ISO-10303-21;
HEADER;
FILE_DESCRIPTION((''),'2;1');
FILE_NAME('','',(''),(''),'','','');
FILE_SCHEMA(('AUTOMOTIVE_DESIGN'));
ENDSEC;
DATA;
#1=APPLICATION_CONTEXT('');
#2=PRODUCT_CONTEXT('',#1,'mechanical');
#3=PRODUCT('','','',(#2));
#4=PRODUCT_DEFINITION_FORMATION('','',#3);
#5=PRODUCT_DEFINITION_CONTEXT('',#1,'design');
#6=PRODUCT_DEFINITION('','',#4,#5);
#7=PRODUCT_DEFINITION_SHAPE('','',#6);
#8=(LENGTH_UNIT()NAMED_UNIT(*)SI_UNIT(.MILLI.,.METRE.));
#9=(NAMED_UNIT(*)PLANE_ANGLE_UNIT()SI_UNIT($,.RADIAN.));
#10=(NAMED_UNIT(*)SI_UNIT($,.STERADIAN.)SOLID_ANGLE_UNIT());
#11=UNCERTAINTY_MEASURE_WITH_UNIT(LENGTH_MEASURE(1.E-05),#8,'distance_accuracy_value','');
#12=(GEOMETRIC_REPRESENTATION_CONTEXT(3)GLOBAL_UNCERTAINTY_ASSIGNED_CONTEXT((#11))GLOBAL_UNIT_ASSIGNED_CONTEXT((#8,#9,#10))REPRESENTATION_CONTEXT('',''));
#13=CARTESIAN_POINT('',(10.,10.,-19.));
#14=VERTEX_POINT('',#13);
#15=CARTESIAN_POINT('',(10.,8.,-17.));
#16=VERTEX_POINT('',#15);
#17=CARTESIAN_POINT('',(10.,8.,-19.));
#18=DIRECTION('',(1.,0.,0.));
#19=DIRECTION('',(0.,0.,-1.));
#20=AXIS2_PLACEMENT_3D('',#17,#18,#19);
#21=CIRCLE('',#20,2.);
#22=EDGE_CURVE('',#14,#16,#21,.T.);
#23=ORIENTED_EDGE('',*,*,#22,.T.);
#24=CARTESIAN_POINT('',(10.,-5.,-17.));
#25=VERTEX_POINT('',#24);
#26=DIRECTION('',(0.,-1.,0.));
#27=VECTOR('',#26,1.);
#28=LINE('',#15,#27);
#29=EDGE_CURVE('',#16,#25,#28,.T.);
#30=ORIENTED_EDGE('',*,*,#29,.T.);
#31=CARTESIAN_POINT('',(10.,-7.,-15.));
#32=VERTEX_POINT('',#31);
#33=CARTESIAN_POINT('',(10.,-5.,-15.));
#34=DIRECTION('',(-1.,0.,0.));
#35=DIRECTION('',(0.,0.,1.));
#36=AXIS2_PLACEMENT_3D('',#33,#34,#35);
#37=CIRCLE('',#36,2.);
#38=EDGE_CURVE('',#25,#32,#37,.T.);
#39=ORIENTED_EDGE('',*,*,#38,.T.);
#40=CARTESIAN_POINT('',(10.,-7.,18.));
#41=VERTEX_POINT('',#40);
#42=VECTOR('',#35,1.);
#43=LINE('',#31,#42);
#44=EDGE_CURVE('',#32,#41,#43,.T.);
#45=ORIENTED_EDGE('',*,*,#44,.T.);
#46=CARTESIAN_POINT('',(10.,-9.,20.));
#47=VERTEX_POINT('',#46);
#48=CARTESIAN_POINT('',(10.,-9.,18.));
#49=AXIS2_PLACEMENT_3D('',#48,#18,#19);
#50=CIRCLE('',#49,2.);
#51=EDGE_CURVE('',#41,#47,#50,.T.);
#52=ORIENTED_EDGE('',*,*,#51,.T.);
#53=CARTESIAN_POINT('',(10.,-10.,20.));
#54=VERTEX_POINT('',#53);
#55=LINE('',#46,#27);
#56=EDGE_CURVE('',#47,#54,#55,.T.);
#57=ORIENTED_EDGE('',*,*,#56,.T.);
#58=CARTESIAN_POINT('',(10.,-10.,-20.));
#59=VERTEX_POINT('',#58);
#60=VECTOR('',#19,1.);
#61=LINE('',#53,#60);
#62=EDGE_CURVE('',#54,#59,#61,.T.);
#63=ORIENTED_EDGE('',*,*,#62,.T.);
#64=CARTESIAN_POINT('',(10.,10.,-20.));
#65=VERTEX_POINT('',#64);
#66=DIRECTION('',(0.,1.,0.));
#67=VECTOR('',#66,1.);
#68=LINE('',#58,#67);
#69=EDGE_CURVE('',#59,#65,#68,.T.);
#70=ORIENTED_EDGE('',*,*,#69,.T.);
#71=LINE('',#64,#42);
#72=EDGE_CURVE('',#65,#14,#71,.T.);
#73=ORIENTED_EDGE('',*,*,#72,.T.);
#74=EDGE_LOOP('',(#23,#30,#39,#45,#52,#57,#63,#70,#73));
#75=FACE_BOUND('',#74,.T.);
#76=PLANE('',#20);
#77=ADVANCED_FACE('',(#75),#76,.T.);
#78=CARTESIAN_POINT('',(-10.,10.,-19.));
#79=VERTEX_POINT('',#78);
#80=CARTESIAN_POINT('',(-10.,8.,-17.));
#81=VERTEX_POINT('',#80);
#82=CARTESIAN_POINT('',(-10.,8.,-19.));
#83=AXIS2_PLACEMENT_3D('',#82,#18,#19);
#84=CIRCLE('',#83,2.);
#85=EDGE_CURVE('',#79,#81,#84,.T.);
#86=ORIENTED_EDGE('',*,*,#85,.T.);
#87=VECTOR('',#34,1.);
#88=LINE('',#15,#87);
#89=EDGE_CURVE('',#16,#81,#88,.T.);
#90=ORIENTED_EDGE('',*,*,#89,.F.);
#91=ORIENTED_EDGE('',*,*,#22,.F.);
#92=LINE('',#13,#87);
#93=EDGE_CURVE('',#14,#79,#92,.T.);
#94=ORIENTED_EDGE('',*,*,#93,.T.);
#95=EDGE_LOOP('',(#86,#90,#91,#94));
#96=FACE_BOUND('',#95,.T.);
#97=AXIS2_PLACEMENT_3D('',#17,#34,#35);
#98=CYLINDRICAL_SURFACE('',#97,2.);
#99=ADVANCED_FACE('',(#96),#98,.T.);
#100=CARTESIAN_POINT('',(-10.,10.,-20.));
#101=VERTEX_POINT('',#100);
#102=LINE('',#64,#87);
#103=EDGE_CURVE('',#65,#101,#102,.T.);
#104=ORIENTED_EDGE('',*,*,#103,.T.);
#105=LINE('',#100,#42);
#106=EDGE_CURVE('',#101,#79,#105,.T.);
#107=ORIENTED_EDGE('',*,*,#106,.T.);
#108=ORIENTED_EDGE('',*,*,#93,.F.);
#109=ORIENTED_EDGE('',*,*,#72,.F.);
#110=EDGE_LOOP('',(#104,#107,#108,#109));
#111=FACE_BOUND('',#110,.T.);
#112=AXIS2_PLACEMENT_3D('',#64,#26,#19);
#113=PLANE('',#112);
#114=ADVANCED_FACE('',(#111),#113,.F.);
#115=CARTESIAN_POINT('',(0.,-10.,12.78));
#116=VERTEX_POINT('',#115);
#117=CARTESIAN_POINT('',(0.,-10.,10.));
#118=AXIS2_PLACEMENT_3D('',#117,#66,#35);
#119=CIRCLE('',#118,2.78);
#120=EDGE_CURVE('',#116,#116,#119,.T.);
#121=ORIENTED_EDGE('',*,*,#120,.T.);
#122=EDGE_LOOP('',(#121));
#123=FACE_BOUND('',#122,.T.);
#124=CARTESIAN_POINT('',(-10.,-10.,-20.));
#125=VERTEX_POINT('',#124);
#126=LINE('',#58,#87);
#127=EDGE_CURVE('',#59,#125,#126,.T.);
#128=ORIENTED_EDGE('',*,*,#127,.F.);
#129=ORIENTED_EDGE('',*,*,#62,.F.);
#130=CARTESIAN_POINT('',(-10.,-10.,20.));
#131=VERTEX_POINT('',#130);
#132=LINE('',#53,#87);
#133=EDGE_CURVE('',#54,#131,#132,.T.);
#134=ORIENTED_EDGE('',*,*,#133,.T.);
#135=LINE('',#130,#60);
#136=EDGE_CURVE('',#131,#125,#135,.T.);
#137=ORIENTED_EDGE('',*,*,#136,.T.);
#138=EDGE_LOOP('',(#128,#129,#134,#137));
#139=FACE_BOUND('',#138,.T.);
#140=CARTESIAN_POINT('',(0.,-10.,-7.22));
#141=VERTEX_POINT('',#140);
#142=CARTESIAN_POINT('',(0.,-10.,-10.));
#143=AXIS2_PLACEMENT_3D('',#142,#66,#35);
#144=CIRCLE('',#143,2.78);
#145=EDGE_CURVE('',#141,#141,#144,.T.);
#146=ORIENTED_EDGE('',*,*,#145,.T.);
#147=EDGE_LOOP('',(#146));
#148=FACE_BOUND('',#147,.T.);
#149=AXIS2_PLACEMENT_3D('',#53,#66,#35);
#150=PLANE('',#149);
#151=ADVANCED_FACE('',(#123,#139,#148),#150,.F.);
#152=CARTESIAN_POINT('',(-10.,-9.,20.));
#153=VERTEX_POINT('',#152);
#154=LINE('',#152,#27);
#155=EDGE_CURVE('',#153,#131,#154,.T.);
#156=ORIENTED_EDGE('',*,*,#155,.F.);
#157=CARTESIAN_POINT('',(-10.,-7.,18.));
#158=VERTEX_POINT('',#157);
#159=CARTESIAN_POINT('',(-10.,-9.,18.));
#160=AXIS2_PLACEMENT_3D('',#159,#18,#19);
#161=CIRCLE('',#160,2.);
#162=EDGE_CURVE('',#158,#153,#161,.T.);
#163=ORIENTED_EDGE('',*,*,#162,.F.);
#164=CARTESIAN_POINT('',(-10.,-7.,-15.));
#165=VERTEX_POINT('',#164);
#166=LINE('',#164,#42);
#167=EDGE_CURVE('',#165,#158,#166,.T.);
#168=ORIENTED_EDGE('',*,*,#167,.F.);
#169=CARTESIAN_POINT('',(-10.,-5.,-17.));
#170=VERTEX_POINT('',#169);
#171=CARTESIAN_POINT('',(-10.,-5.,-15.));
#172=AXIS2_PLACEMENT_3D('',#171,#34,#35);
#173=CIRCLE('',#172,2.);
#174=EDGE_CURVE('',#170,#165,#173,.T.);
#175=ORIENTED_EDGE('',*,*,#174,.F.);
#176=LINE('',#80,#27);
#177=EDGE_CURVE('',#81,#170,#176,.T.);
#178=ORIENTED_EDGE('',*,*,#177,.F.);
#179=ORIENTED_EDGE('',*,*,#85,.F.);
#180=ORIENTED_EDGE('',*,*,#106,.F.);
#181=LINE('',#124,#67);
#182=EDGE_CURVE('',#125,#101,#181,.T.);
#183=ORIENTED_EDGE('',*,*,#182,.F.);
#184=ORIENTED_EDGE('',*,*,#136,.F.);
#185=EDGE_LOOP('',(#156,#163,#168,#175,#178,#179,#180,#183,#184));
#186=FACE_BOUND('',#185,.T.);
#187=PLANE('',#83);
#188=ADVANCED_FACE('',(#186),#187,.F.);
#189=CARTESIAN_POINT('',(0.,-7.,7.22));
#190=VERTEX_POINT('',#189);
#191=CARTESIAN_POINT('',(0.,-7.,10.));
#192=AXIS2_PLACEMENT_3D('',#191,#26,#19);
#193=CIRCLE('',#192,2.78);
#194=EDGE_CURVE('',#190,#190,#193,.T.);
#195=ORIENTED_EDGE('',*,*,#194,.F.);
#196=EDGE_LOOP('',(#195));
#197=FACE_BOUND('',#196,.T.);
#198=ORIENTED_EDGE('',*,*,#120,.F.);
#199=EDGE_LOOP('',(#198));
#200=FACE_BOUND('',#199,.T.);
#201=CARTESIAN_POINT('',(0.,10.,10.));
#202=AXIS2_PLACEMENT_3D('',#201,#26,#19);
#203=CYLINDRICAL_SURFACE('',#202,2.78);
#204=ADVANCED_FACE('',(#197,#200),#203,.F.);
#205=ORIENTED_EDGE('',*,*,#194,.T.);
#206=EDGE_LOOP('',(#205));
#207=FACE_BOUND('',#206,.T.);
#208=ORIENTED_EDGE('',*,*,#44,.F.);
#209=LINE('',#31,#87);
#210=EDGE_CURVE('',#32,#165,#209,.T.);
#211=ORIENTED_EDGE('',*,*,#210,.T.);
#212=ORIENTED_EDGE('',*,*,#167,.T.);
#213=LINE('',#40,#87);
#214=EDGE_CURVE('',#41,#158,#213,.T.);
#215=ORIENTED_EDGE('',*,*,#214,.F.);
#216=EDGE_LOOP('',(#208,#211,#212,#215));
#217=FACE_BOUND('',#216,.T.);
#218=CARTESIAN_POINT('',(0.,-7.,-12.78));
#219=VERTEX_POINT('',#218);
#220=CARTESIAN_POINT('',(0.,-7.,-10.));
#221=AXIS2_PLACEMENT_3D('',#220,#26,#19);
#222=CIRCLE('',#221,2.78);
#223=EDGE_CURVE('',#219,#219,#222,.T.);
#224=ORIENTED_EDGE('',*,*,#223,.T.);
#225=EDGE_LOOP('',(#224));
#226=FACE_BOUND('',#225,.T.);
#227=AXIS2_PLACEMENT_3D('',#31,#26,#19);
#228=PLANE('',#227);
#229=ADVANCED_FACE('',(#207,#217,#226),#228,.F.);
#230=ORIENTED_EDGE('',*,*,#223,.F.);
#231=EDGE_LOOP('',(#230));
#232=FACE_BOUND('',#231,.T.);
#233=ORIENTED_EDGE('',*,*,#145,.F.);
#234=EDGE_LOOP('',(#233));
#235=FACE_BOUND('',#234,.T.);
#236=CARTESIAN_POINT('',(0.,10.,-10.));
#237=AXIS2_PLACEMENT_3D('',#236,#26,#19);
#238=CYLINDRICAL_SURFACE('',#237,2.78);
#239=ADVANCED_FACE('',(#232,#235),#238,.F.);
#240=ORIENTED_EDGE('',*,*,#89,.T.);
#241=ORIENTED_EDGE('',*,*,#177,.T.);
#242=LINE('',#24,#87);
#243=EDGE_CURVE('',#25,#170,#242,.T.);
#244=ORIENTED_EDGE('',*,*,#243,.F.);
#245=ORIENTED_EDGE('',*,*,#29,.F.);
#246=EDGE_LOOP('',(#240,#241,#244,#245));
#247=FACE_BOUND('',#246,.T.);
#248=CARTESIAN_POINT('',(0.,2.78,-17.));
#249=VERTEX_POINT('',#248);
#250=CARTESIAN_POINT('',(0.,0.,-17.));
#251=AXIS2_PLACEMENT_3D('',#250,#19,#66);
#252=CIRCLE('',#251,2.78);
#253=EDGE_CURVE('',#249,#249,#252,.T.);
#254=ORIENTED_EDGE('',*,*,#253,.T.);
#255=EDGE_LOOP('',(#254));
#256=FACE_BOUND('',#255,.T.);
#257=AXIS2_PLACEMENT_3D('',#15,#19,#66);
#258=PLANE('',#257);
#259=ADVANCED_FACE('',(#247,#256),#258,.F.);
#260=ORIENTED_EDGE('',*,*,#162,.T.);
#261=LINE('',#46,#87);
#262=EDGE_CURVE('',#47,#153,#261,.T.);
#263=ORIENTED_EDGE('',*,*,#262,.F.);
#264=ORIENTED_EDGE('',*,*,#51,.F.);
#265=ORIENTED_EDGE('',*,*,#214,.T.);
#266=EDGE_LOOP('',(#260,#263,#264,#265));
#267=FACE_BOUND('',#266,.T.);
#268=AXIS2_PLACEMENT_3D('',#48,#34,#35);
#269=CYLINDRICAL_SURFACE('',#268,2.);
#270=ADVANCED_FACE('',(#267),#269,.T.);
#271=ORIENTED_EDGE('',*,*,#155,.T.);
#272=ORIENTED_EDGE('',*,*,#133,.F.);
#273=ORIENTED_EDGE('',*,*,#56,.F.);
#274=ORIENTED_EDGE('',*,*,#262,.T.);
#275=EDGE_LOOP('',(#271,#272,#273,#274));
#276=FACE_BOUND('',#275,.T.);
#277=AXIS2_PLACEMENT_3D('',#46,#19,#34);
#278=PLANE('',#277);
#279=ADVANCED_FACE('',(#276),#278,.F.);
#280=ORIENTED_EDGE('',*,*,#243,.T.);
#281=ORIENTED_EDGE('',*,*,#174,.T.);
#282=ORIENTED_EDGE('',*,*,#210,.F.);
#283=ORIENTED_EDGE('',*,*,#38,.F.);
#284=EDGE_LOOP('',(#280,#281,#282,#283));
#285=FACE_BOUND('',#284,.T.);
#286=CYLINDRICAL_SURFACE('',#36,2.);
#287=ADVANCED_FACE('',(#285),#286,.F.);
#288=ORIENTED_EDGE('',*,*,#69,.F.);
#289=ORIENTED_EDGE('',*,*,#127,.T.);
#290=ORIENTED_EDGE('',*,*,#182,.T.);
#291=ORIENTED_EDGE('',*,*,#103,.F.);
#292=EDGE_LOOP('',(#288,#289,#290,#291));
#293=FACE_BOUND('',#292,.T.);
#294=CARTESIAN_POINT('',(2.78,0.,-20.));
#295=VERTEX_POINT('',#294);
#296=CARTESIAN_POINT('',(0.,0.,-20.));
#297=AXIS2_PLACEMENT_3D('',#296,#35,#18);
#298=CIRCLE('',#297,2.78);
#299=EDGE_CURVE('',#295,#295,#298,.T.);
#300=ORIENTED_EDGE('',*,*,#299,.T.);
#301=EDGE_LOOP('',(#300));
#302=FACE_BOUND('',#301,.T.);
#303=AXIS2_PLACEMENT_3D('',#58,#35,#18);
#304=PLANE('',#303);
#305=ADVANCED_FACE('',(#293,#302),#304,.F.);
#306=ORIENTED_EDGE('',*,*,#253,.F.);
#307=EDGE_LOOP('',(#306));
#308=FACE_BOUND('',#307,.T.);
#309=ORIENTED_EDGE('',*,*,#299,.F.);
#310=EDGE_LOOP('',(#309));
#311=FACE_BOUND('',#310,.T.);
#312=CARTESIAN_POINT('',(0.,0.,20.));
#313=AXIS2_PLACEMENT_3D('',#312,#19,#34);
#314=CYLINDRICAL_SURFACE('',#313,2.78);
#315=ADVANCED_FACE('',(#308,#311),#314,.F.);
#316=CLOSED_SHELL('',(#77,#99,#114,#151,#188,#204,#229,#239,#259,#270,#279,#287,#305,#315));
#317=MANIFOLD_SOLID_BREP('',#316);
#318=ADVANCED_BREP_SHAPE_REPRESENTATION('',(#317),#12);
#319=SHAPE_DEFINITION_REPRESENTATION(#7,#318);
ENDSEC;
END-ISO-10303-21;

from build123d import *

# Parameters (mm, degrees)
BOSS_EXTRUDE1_DEPTH     = 10
CUT_EXTRUDE1_DEPTH      = 43.426406871
CUT_EXTRUDE1_DEPTH_BACK = 43.426406871
SKETCH2_R               = 2.78
CUT_EXTRUDE2_DEPTH      = 31
CUT_EXTRUDE2_DEPTH_BACK = 31
SKETCH3_R               = 2.78


with BuildPart() as part:
    # Sketch1 → Boss-Extrude1 (new, symmetric)
    with BuildSketch(Plane(origin=(0, 0, 0), x_dir=(0, 0, -1), z_dir=(1, 0, 0))):
        with BuildLine():
            Line((-20, -10), (20, -10))
            Line((20, -10), (20, 10))
            Line((20, 10), (19, 10))
            ThreePointArc((19, 10), (17.585786438, 9.414213562), (17, 8))
            Line((17, 8), (17, -5))
            ThreePointArc((17, -5), (16.414213562, -6.414213562), (15, -7))
            Line((15, -7), (-18, -7))
            ThreePointArc((-18, -7), (-19.414213562, -7.585786438), (-20, -9))
            Line((-20, -9), (-20, -10))
        make_face()
    extrude(amount=BOSS_EXTRUDE1_DEPTH, both=True)

    # Sketch2 → Cut-Extrude1 (cut, two sides: drawn at the far end of the back side and taken through both)
    with BuildSketch(Plane(origin=(0, 0, -20), x_dir=(-1, 0, 0), z_dir=(0, 0, -1)).offset(-CUT_EXTRUDE1_DEPTH_BACK)):
        with Locations(Location((0, 0, 0), (0, 0, 90))):
            Circle(SKETCH2_R)
    extrude(amount=CUT_EXTRUDE1_DEPTH + CUT_EXTRUDE1_DEPTH_BACK, mode=Mode.SUBTRACT)

    # Sketch3 → Cut-Extrude2 (cut, two sides: drawn at the far end of the back side and taken through both)
    with BuildSketch(Plane.XZ.offset(10).offset(-CUT_EXTRUDE2_DEPTH_BACK)):
        with Locations(Location((0, 10, 0), (0, 0, 270))):
            Circle(SKETCH3_R)
        with Locations(Location((0, -10, 0), (0, 0, 270))):
            Circle(SKETCH3_R)
    extrude(amount=CUT_EXTRUDE2_DEPTH + CUT_EXTRUDE2_DEPTH_BACK, mode=Mode.SUBTRACT)


solid = part.part
